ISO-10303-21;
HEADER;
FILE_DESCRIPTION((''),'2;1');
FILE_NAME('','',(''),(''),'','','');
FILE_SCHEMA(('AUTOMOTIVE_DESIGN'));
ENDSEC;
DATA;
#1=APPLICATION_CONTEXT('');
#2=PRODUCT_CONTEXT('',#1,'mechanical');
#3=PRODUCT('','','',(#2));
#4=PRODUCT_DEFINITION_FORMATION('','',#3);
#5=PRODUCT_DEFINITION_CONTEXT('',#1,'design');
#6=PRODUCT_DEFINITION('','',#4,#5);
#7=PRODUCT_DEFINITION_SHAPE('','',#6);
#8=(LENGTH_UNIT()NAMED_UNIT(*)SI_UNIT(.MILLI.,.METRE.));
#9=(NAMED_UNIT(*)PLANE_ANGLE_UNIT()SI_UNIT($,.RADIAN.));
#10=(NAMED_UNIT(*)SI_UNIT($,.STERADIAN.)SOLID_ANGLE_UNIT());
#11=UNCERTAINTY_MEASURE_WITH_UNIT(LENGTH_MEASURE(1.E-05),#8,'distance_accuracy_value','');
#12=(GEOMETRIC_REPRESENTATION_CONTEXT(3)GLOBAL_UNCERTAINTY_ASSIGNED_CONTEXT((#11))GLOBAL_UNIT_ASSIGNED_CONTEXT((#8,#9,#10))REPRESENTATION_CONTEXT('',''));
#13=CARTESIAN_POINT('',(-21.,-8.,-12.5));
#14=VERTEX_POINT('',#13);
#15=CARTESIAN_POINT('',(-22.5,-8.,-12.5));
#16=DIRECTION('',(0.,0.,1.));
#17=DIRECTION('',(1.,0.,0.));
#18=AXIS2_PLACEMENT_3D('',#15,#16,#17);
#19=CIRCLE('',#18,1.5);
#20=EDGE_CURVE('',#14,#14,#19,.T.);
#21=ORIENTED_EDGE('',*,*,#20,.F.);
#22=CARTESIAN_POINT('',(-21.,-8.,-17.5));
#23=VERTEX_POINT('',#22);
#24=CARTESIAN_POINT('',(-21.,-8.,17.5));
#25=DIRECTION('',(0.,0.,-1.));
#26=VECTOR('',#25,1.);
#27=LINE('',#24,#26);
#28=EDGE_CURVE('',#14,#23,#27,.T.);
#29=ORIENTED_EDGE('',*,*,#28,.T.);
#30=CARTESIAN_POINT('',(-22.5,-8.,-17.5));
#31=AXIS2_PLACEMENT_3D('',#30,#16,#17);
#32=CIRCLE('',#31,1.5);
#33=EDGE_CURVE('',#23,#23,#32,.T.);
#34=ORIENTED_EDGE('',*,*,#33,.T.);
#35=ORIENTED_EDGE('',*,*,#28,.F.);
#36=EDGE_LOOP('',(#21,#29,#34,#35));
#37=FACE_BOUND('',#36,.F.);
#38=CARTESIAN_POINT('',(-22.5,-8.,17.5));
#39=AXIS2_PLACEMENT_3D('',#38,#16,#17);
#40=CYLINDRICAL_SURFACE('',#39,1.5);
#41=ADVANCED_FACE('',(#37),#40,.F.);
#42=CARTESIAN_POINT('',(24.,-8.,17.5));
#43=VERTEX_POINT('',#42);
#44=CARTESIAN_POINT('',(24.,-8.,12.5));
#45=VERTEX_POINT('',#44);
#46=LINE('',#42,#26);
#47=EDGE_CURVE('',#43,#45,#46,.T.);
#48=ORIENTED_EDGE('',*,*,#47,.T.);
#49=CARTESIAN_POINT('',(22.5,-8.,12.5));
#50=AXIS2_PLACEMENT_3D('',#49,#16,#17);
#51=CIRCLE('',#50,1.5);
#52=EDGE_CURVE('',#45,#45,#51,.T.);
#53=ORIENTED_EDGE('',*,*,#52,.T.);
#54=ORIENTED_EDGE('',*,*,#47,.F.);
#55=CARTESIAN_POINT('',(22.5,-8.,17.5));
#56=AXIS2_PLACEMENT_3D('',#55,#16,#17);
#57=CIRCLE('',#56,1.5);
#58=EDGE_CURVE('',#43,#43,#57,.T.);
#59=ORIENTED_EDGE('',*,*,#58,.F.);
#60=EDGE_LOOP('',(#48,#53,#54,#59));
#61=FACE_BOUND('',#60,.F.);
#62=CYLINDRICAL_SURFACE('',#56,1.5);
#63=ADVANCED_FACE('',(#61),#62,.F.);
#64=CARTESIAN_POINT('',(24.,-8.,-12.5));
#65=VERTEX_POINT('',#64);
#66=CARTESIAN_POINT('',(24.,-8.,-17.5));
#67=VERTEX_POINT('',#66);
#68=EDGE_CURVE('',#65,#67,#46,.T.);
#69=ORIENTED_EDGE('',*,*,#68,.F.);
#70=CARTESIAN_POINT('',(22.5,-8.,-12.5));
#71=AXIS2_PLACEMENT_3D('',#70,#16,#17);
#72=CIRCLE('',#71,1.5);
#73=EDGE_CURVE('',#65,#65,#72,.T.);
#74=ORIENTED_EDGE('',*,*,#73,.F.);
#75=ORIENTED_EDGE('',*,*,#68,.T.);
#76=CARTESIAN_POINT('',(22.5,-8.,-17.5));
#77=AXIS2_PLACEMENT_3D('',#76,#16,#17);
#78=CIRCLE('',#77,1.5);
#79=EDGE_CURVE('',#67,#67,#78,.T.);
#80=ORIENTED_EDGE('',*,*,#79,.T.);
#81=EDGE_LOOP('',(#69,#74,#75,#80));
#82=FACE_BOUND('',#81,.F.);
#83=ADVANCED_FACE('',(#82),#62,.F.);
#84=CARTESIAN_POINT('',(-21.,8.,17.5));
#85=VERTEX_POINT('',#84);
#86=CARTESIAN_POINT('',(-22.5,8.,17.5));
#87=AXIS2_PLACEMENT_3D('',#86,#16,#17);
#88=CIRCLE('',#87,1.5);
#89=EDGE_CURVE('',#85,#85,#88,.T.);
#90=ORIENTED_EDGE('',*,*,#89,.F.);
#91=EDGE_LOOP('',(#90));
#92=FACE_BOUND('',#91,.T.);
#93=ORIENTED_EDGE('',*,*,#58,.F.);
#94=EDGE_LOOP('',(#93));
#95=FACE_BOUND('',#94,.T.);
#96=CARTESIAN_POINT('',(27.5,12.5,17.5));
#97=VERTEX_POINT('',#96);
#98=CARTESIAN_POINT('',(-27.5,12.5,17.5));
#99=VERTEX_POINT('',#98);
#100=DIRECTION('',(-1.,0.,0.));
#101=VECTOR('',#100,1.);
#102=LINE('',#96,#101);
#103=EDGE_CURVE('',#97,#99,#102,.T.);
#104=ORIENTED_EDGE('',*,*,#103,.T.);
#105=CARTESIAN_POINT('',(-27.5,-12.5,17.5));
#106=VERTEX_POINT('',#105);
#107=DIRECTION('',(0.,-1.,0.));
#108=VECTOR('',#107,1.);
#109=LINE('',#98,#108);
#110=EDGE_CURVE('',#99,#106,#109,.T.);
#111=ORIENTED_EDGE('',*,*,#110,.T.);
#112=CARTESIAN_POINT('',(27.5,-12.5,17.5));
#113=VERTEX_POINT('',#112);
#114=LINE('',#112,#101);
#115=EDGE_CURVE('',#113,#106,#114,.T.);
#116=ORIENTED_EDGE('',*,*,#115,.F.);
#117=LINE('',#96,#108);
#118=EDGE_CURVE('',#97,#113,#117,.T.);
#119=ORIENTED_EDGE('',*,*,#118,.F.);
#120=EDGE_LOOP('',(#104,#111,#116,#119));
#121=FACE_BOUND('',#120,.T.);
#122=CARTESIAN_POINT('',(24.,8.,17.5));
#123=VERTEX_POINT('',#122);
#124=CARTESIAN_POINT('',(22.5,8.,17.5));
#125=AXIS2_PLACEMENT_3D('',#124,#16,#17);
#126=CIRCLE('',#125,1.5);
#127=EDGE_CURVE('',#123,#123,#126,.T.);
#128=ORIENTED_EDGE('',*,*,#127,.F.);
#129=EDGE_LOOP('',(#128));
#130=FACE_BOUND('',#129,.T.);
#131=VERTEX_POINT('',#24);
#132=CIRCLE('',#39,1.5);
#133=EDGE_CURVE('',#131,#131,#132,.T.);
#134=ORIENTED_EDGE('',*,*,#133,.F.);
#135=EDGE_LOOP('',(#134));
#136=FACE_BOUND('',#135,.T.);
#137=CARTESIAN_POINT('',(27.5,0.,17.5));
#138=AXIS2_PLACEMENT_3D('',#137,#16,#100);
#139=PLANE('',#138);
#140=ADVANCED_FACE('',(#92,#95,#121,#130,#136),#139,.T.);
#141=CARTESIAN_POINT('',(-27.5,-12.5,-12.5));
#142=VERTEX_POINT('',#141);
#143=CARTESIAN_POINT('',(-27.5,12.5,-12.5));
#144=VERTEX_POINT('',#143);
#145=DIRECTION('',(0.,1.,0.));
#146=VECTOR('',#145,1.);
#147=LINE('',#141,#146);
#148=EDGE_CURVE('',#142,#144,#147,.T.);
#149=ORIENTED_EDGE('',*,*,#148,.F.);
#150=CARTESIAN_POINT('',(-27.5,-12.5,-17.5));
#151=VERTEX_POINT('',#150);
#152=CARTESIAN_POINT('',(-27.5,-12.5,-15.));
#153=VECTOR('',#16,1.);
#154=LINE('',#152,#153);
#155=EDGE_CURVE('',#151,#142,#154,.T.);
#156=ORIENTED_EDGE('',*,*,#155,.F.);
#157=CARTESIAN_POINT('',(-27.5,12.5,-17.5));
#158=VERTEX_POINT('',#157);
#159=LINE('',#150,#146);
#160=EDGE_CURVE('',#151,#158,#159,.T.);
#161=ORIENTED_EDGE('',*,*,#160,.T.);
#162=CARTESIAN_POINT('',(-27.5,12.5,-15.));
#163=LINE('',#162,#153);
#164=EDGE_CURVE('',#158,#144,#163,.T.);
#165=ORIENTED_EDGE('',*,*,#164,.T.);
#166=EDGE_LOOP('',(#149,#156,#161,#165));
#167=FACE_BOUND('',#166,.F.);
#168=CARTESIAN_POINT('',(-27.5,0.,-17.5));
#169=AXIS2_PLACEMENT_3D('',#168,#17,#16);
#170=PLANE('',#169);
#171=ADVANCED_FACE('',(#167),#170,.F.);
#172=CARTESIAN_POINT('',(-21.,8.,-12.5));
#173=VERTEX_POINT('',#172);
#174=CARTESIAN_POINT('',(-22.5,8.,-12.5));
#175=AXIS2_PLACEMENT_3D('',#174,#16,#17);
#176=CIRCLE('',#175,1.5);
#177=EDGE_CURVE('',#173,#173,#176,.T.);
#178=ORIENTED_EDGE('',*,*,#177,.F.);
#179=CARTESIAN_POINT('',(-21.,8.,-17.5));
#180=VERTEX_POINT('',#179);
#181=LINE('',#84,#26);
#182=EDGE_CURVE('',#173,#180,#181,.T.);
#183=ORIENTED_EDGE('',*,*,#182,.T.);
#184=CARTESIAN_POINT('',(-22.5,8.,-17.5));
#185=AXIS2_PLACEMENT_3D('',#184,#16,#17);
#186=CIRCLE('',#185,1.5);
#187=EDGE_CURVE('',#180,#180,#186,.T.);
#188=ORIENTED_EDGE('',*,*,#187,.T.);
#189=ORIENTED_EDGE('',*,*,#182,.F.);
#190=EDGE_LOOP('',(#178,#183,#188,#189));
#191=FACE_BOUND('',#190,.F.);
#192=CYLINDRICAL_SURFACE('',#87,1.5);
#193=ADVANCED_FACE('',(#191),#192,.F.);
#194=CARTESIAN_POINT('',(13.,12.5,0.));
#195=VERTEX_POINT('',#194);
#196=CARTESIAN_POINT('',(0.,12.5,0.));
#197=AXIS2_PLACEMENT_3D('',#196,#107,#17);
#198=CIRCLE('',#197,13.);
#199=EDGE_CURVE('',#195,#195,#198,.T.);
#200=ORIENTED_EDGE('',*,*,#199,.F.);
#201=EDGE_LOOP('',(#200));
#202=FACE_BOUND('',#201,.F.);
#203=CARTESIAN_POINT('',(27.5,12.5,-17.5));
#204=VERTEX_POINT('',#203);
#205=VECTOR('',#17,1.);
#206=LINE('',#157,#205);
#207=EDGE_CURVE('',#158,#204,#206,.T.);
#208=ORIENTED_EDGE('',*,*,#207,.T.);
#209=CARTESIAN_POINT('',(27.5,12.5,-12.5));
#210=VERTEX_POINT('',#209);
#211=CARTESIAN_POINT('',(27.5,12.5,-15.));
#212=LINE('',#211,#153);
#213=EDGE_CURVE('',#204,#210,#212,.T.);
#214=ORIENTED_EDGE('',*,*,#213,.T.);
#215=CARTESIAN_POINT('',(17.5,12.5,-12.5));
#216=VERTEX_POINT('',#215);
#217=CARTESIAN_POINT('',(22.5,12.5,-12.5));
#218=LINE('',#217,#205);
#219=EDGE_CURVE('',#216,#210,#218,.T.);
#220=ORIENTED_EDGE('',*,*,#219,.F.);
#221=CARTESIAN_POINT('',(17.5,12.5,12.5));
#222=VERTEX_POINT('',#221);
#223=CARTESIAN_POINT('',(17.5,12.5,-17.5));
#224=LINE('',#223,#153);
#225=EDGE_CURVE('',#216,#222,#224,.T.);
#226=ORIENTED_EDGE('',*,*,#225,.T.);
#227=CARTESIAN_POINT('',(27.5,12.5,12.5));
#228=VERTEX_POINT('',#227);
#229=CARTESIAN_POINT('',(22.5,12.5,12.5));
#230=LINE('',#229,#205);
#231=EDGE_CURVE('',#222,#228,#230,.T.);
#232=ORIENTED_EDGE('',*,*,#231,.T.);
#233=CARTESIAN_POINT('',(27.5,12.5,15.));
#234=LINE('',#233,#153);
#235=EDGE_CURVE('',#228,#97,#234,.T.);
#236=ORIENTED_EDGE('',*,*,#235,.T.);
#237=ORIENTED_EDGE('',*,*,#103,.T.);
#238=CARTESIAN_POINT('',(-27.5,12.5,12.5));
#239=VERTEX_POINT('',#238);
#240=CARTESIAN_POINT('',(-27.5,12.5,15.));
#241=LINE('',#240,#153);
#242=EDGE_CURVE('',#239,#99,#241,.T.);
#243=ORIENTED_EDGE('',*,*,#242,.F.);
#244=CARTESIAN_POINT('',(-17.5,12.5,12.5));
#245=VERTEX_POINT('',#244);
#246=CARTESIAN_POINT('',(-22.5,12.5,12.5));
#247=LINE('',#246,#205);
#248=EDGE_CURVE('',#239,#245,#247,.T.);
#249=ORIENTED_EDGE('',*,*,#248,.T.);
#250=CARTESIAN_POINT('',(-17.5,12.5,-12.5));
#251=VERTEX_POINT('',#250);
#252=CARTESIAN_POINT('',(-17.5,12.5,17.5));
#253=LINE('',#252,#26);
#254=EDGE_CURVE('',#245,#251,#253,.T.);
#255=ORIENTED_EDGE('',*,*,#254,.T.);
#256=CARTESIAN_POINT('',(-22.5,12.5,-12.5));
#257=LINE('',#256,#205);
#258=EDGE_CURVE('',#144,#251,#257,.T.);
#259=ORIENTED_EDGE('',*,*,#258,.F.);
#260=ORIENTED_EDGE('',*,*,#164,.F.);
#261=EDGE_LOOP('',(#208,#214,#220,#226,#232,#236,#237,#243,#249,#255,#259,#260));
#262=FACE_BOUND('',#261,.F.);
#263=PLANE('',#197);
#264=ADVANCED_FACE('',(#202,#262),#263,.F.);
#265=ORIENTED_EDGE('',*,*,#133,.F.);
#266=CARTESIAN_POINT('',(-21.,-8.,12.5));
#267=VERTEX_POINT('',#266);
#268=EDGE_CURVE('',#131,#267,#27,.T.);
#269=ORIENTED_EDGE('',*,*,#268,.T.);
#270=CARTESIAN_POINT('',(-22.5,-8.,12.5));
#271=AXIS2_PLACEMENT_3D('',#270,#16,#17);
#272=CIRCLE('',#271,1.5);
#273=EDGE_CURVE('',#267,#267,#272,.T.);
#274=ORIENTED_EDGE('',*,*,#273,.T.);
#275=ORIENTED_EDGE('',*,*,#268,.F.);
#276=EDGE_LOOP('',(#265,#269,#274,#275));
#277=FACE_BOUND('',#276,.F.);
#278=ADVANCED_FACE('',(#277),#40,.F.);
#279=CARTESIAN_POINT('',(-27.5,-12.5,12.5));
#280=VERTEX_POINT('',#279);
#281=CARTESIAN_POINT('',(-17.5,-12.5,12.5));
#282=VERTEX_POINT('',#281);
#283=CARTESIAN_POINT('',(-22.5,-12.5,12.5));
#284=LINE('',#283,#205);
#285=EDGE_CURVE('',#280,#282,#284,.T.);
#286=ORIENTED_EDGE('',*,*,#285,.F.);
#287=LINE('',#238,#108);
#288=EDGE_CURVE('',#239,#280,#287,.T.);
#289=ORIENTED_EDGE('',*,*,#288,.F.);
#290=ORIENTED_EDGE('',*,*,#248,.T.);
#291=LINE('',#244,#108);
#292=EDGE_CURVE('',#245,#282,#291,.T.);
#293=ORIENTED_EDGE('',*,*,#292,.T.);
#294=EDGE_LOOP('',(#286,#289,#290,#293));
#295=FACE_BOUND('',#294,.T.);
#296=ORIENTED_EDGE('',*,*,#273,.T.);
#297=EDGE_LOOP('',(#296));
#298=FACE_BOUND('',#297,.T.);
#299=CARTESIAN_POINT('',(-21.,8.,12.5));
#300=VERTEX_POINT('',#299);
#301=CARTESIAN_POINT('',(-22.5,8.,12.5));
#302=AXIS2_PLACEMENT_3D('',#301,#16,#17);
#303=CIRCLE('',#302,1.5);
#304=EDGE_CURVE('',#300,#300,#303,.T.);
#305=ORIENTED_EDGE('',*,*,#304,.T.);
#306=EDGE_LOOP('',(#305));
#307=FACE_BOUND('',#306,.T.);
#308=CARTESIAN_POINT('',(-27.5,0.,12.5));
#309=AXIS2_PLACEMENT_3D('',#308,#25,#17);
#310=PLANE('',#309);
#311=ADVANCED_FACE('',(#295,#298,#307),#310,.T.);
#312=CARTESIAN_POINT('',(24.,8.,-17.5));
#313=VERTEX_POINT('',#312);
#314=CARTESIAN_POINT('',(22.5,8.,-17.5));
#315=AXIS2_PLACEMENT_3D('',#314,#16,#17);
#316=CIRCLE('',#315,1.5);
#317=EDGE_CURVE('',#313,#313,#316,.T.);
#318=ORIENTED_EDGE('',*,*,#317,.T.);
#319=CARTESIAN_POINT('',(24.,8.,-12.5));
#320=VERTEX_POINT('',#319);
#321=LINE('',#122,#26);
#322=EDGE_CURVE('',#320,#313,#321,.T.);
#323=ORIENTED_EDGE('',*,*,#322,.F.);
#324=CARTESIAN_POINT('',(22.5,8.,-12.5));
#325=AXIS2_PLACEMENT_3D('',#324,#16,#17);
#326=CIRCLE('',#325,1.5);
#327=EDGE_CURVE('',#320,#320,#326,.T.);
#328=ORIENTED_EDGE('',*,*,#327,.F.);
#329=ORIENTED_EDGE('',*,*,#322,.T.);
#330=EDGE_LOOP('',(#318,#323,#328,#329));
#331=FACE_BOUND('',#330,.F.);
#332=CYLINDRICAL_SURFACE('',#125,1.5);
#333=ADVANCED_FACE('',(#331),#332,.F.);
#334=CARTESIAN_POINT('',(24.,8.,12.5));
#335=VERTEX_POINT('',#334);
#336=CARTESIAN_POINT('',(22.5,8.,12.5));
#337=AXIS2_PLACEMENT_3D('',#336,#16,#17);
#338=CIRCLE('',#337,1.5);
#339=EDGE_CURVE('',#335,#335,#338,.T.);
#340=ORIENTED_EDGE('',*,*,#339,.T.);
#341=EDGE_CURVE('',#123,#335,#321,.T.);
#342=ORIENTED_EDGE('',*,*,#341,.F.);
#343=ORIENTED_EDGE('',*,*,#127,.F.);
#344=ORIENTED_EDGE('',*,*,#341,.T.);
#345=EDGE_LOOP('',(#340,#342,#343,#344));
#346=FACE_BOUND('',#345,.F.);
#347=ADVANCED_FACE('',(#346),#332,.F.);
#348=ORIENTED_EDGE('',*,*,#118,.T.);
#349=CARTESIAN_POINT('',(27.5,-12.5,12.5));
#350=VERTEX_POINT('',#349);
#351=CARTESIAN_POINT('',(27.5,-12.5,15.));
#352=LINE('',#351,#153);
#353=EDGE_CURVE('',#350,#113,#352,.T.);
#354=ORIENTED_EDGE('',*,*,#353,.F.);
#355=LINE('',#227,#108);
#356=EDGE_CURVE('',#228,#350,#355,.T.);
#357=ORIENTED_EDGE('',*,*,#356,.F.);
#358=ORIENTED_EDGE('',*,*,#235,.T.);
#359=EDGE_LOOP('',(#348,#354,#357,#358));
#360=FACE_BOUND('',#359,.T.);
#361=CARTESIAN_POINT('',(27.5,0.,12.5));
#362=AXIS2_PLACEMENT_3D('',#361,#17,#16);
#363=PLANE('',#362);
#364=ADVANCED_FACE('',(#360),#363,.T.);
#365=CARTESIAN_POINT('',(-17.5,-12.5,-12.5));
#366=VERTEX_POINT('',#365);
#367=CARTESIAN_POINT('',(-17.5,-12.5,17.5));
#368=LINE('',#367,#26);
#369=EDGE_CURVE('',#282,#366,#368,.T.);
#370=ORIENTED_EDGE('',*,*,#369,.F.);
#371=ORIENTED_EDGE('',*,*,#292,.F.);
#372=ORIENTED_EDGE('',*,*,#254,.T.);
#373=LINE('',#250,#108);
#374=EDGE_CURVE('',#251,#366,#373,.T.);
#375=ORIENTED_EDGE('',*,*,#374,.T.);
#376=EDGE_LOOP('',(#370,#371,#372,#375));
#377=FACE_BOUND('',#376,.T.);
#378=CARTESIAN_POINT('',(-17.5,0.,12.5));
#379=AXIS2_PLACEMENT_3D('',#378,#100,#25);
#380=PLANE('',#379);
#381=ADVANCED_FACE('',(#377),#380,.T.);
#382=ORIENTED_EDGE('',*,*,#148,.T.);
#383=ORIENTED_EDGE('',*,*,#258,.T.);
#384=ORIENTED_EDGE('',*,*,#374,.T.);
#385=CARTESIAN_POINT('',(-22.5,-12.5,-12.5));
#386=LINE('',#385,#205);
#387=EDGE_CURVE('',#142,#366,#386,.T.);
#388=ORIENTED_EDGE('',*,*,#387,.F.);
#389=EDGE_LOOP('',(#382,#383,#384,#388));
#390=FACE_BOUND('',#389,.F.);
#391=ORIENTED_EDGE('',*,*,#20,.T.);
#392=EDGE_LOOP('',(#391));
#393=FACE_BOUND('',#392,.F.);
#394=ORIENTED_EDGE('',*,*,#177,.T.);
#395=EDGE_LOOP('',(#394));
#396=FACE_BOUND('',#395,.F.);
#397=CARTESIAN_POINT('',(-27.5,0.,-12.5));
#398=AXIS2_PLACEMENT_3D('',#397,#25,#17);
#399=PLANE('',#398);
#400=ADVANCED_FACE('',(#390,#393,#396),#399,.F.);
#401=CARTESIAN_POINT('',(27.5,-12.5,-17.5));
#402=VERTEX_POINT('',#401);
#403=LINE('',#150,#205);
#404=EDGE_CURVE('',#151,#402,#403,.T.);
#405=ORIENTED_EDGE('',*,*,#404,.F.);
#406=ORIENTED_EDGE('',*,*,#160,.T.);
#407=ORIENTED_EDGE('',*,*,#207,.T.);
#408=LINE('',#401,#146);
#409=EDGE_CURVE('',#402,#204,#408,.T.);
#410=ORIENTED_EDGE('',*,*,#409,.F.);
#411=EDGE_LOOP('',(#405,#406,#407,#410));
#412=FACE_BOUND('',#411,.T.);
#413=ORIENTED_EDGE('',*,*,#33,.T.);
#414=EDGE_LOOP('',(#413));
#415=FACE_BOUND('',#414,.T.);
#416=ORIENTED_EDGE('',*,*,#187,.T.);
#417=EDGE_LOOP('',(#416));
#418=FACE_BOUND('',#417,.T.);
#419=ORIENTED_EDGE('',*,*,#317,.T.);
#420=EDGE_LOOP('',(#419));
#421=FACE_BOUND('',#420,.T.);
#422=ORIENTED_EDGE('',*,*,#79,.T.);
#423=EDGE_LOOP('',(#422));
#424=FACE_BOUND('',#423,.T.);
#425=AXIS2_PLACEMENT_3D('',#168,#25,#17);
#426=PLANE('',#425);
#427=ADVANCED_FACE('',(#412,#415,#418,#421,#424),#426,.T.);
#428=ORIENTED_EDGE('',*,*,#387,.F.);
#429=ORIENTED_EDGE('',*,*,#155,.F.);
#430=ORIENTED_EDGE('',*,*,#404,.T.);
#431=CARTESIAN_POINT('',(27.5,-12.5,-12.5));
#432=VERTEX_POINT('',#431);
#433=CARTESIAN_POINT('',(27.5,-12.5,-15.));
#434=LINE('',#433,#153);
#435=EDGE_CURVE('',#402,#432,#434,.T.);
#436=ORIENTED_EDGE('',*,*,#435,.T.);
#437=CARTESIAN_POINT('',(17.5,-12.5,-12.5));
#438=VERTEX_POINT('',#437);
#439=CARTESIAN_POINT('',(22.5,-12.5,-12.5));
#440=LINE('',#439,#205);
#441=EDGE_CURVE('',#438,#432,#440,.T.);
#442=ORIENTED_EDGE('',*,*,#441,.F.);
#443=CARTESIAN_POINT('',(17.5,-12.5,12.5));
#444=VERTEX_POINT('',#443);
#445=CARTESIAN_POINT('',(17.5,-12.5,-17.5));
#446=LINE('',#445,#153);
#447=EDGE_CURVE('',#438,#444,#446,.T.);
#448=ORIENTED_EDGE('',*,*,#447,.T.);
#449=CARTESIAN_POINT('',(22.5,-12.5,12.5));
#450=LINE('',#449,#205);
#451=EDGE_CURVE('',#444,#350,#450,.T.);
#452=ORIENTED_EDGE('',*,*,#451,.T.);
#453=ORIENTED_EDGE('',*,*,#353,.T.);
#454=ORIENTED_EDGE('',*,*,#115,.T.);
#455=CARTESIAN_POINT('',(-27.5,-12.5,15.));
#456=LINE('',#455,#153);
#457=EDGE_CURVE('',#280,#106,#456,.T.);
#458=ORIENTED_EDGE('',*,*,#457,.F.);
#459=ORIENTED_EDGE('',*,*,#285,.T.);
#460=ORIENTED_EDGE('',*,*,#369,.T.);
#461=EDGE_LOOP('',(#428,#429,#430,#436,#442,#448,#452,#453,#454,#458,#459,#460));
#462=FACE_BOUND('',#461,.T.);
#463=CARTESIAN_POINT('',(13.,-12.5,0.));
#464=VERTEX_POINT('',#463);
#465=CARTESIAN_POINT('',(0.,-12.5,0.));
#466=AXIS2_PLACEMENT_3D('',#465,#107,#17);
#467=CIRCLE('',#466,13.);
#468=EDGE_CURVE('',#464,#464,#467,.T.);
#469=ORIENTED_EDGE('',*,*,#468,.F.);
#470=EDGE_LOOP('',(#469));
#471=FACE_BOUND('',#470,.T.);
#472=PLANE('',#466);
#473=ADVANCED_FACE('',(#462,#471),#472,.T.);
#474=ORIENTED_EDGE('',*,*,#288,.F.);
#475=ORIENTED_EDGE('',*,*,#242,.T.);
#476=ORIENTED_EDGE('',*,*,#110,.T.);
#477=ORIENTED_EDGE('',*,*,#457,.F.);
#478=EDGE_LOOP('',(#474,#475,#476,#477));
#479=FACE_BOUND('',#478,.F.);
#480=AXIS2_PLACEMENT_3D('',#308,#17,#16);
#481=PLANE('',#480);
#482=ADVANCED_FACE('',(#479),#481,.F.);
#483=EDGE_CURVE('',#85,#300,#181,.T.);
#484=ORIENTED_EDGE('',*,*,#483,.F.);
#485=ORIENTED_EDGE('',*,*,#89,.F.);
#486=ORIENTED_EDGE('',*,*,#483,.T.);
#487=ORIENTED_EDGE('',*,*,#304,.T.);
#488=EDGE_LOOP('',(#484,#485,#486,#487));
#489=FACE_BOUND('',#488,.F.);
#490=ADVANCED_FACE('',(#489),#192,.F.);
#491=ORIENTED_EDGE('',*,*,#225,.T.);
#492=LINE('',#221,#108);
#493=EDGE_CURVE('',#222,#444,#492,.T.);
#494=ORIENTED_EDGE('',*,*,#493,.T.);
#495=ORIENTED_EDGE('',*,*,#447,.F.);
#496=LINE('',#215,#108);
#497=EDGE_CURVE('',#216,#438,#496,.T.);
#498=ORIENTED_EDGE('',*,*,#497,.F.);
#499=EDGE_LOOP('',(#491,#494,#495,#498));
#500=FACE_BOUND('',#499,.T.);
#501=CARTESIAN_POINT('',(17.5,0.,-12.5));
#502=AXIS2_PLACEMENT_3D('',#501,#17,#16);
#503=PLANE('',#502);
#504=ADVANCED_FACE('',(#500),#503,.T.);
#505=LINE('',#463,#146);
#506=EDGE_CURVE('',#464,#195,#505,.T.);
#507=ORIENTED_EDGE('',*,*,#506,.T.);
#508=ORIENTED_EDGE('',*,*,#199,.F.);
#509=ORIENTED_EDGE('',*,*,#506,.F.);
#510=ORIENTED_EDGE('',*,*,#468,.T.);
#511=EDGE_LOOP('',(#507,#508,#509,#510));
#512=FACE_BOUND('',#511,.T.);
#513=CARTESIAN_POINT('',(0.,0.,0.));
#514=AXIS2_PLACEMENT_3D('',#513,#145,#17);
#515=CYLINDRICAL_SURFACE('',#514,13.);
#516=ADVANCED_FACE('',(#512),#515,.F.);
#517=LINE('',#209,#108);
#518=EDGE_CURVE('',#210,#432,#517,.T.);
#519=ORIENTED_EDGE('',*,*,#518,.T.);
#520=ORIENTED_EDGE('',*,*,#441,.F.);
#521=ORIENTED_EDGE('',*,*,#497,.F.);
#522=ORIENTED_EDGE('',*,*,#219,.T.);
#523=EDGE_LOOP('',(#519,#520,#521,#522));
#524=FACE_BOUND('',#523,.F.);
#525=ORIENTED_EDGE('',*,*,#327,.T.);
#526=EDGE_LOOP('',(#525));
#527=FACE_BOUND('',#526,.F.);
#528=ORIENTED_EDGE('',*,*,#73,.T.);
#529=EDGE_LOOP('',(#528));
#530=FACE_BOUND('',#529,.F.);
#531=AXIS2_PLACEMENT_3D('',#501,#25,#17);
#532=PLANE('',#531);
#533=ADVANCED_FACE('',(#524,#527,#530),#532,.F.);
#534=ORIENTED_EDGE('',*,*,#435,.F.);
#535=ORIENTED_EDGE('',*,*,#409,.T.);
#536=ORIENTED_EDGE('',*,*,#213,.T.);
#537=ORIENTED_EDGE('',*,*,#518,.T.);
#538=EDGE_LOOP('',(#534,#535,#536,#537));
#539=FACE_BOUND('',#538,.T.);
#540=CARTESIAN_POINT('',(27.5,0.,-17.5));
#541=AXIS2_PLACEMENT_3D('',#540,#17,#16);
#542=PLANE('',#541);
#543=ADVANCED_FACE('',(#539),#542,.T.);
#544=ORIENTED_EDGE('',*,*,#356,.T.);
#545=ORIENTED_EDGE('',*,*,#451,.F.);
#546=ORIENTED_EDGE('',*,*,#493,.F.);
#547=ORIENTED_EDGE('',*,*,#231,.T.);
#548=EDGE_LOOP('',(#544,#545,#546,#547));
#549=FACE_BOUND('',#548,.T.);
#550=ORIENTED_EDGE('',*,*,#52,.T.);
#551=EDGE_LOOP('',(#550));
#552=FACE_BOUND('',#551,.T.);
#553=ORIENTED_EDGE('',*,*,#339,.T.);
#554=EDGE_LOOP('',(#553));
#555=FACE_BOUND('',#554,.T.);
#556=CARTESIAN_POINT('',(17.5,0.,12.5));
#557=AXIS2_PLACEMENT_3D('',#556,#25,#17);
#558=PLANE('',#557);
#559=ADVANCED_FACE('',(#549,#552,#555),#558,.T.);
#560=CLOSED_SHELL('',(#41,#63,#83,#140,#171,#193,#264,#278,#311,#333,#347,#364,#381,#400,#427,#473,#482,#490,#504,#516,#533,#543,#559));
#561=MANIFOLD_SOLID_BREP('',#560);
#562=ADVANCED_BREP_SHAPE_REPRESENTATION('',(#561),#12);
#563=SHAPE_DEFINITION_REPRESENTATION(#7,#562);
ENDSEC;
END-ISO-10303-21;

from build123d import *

# Parameters (mm, degrees)
F0_R     = 13
F0_W     = 10
F0_H     = 5
F1_DEPTH = 12.5
F2_R     = 1.5
F3_DEPTH = 45.1


with BuildPart() as f1:
    # F0 (on Front) → F1 (new body, symmetric)
    with BuildSketch(Plane.XZ):
        Polygon((-17.5, -17.5), (17.5, -17.5), (17.5, -12.5), (17.5, 12.5), (17.5, 17.5), (-17.5, 17.5), (-17.5, 12.5), (-17.5, -12.5), align=None)
        Circle(F0_R, mode=Mode.SUBTRACT)
        with Locations((22.5, -15)):
            Rectangle(F0_W, F0_H)
        with Locations((-22.5, -15)):
            Rectangle(F0_W, F0_H)
        with Locations((22.5, 15)):
            Rectangle(F0_W, F0_H)
        with Locations((-22.5, 15)):
            Rectangle(F0_W, F0_H)
    extrude(amount=F1_DEPTH, both=True)

    # F2 (on face) → F3 (cut)
    with BuildSketch(Plane.XY.offset(17.5)):
        with Locations((-22.5, -8)):
            Circle(F2_R)
        with Locations((-22.5, 8)):
            Circle(F2_R)
        with Locations((22.5, 8)):
            Circle(F2_R)
        with Locations((22.5, -8)):
            Circle(F2_R)
    extrude(amount=-F3_DEPTH, mode=Mode.SUBTRACT)


solid = f1.part
